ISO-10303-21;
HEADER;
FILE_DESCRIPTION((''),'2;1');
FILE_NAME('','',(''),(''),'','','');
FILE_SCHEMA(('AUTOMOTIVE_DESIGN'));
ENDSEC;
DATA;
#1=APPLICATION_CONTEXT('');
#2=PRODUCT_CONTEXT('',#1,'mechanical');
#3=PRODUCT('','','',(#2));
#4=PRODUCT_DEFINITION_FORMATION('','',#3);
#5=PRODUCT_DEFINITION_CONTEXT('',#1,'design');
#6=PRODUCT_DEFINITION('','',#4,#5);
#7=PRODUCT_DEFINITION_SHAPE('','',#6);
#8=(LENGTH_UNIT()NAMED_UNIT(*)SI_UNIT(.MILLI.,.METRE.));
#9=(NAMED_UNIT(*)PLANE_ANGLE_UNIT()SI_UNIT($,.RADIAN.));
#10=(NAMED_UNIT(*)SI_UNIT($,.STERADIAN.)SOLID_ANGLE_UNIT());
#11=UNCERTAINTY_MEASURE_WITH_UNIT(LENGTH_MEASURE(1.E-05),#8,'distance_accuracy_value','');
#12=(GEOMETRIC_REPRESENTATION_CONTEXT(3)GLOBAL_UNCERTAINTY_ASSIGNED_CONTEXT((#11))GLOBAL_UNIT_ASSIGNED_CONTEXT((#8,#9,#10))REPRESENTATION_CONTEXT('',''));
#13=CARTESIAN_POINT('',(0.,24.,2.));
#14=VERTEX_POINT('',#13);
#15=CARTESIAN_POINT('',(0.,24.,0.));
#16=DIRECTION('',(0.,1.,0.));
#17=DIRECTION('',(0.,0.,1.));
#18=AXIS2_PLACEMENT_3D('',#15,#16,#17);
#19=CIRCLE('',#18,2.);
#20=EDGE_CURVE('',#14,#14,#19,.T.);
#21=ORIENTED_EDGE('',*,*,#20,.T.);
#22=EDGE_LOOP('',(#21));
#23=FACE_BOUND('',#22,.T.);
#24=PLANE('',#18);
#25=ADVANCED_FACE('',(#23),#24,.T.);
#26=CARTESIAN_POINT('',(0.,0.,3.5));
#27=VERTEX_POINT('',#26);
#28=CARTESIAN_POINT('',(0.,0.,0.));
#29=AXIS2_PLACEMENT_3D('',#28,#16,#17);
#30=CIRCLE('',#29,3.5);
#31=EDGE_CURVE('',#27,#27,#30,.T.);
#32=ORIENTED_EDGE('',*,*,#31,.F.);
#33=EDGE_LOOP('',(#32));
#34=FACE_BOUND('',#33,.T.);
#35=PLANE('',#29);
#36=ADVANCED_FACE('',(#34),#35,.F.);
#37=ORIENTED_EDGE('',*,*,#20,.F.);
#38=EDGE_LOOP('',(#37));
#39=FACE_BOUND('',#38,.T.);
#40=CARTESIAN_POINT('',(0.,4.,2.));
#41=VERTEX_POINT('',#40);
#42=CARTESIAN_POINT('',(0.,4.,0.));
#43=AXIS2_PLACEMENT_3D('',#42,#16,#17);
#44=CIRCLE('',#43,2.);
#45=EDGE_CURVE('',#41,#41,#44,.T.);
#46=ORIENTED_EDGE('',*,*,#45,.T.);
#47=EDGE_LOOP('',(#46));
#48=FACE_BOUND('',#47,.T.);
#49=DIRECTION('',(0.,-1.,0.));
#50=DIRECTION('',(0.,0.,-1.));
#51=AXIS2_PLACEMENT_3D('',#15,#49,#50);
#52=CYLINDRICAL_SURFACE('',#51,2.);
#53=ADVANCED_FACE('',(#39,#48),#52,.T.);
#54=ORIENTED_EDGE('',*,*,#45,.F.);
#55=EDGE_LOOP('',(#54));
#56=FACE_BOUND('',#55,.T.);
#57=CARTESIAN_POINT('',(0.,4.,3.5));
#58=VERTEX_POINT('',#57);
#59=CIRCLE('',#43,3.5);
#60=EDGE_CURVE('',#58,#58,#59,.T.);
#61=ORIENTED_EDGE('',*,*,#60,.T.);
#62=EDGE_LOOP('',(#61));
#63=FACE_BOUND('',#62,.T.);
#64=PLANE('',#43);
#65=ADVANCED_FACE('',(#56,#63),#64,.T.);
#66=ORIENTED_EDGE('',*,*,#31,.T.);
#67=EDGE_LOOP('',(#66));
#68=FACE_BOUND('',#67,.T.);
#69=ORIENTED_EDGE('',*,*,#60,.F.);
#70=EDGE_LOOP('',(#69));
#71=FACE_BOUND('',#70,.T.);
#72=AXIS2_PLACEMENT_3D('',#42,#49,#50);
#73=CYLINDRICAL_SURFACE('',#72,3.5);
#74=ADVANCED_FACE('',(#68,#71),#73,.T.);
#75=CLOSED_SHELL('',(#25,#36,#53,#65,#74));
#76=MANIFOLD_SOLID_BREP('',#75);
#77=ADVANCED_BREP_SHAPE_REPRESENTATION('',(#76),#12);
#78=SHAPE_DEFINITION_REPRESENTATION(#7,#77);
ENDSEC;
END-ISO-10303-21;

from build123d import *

# Parameters (mm, degrees)
SKETCH1_R           = 3.5
BOSS_EXTRUDE1_DEPTH = 4
SKETCH2_R           = 2
BOSS_EXTRUDE2_DEPTH = 20


with BuildPart() as part:
    # Sketch1 → Boss-Extrude1 (new body)
    with BuildSketch(Plane(origin=(0, 0, 0), x_dir=(1, 0, 0), z_dir=(0, 1, 0))):
        Circle(SKETCH1_R)
    extrude(amount=BOSS_EXTRUDE1_DEPTH)

    # Sketch2 → Boss-Extrude2 (add)
    with BuildSketch(Plane(origin=(0, 4, 0), x_dir=(1, 0, 0), z_dir=(0, 1, 0))):
        Circle(SKETCH2_R)
    extrude(amount=BOSS_EXTRUDE2_DEPTH)


solid = part.part
